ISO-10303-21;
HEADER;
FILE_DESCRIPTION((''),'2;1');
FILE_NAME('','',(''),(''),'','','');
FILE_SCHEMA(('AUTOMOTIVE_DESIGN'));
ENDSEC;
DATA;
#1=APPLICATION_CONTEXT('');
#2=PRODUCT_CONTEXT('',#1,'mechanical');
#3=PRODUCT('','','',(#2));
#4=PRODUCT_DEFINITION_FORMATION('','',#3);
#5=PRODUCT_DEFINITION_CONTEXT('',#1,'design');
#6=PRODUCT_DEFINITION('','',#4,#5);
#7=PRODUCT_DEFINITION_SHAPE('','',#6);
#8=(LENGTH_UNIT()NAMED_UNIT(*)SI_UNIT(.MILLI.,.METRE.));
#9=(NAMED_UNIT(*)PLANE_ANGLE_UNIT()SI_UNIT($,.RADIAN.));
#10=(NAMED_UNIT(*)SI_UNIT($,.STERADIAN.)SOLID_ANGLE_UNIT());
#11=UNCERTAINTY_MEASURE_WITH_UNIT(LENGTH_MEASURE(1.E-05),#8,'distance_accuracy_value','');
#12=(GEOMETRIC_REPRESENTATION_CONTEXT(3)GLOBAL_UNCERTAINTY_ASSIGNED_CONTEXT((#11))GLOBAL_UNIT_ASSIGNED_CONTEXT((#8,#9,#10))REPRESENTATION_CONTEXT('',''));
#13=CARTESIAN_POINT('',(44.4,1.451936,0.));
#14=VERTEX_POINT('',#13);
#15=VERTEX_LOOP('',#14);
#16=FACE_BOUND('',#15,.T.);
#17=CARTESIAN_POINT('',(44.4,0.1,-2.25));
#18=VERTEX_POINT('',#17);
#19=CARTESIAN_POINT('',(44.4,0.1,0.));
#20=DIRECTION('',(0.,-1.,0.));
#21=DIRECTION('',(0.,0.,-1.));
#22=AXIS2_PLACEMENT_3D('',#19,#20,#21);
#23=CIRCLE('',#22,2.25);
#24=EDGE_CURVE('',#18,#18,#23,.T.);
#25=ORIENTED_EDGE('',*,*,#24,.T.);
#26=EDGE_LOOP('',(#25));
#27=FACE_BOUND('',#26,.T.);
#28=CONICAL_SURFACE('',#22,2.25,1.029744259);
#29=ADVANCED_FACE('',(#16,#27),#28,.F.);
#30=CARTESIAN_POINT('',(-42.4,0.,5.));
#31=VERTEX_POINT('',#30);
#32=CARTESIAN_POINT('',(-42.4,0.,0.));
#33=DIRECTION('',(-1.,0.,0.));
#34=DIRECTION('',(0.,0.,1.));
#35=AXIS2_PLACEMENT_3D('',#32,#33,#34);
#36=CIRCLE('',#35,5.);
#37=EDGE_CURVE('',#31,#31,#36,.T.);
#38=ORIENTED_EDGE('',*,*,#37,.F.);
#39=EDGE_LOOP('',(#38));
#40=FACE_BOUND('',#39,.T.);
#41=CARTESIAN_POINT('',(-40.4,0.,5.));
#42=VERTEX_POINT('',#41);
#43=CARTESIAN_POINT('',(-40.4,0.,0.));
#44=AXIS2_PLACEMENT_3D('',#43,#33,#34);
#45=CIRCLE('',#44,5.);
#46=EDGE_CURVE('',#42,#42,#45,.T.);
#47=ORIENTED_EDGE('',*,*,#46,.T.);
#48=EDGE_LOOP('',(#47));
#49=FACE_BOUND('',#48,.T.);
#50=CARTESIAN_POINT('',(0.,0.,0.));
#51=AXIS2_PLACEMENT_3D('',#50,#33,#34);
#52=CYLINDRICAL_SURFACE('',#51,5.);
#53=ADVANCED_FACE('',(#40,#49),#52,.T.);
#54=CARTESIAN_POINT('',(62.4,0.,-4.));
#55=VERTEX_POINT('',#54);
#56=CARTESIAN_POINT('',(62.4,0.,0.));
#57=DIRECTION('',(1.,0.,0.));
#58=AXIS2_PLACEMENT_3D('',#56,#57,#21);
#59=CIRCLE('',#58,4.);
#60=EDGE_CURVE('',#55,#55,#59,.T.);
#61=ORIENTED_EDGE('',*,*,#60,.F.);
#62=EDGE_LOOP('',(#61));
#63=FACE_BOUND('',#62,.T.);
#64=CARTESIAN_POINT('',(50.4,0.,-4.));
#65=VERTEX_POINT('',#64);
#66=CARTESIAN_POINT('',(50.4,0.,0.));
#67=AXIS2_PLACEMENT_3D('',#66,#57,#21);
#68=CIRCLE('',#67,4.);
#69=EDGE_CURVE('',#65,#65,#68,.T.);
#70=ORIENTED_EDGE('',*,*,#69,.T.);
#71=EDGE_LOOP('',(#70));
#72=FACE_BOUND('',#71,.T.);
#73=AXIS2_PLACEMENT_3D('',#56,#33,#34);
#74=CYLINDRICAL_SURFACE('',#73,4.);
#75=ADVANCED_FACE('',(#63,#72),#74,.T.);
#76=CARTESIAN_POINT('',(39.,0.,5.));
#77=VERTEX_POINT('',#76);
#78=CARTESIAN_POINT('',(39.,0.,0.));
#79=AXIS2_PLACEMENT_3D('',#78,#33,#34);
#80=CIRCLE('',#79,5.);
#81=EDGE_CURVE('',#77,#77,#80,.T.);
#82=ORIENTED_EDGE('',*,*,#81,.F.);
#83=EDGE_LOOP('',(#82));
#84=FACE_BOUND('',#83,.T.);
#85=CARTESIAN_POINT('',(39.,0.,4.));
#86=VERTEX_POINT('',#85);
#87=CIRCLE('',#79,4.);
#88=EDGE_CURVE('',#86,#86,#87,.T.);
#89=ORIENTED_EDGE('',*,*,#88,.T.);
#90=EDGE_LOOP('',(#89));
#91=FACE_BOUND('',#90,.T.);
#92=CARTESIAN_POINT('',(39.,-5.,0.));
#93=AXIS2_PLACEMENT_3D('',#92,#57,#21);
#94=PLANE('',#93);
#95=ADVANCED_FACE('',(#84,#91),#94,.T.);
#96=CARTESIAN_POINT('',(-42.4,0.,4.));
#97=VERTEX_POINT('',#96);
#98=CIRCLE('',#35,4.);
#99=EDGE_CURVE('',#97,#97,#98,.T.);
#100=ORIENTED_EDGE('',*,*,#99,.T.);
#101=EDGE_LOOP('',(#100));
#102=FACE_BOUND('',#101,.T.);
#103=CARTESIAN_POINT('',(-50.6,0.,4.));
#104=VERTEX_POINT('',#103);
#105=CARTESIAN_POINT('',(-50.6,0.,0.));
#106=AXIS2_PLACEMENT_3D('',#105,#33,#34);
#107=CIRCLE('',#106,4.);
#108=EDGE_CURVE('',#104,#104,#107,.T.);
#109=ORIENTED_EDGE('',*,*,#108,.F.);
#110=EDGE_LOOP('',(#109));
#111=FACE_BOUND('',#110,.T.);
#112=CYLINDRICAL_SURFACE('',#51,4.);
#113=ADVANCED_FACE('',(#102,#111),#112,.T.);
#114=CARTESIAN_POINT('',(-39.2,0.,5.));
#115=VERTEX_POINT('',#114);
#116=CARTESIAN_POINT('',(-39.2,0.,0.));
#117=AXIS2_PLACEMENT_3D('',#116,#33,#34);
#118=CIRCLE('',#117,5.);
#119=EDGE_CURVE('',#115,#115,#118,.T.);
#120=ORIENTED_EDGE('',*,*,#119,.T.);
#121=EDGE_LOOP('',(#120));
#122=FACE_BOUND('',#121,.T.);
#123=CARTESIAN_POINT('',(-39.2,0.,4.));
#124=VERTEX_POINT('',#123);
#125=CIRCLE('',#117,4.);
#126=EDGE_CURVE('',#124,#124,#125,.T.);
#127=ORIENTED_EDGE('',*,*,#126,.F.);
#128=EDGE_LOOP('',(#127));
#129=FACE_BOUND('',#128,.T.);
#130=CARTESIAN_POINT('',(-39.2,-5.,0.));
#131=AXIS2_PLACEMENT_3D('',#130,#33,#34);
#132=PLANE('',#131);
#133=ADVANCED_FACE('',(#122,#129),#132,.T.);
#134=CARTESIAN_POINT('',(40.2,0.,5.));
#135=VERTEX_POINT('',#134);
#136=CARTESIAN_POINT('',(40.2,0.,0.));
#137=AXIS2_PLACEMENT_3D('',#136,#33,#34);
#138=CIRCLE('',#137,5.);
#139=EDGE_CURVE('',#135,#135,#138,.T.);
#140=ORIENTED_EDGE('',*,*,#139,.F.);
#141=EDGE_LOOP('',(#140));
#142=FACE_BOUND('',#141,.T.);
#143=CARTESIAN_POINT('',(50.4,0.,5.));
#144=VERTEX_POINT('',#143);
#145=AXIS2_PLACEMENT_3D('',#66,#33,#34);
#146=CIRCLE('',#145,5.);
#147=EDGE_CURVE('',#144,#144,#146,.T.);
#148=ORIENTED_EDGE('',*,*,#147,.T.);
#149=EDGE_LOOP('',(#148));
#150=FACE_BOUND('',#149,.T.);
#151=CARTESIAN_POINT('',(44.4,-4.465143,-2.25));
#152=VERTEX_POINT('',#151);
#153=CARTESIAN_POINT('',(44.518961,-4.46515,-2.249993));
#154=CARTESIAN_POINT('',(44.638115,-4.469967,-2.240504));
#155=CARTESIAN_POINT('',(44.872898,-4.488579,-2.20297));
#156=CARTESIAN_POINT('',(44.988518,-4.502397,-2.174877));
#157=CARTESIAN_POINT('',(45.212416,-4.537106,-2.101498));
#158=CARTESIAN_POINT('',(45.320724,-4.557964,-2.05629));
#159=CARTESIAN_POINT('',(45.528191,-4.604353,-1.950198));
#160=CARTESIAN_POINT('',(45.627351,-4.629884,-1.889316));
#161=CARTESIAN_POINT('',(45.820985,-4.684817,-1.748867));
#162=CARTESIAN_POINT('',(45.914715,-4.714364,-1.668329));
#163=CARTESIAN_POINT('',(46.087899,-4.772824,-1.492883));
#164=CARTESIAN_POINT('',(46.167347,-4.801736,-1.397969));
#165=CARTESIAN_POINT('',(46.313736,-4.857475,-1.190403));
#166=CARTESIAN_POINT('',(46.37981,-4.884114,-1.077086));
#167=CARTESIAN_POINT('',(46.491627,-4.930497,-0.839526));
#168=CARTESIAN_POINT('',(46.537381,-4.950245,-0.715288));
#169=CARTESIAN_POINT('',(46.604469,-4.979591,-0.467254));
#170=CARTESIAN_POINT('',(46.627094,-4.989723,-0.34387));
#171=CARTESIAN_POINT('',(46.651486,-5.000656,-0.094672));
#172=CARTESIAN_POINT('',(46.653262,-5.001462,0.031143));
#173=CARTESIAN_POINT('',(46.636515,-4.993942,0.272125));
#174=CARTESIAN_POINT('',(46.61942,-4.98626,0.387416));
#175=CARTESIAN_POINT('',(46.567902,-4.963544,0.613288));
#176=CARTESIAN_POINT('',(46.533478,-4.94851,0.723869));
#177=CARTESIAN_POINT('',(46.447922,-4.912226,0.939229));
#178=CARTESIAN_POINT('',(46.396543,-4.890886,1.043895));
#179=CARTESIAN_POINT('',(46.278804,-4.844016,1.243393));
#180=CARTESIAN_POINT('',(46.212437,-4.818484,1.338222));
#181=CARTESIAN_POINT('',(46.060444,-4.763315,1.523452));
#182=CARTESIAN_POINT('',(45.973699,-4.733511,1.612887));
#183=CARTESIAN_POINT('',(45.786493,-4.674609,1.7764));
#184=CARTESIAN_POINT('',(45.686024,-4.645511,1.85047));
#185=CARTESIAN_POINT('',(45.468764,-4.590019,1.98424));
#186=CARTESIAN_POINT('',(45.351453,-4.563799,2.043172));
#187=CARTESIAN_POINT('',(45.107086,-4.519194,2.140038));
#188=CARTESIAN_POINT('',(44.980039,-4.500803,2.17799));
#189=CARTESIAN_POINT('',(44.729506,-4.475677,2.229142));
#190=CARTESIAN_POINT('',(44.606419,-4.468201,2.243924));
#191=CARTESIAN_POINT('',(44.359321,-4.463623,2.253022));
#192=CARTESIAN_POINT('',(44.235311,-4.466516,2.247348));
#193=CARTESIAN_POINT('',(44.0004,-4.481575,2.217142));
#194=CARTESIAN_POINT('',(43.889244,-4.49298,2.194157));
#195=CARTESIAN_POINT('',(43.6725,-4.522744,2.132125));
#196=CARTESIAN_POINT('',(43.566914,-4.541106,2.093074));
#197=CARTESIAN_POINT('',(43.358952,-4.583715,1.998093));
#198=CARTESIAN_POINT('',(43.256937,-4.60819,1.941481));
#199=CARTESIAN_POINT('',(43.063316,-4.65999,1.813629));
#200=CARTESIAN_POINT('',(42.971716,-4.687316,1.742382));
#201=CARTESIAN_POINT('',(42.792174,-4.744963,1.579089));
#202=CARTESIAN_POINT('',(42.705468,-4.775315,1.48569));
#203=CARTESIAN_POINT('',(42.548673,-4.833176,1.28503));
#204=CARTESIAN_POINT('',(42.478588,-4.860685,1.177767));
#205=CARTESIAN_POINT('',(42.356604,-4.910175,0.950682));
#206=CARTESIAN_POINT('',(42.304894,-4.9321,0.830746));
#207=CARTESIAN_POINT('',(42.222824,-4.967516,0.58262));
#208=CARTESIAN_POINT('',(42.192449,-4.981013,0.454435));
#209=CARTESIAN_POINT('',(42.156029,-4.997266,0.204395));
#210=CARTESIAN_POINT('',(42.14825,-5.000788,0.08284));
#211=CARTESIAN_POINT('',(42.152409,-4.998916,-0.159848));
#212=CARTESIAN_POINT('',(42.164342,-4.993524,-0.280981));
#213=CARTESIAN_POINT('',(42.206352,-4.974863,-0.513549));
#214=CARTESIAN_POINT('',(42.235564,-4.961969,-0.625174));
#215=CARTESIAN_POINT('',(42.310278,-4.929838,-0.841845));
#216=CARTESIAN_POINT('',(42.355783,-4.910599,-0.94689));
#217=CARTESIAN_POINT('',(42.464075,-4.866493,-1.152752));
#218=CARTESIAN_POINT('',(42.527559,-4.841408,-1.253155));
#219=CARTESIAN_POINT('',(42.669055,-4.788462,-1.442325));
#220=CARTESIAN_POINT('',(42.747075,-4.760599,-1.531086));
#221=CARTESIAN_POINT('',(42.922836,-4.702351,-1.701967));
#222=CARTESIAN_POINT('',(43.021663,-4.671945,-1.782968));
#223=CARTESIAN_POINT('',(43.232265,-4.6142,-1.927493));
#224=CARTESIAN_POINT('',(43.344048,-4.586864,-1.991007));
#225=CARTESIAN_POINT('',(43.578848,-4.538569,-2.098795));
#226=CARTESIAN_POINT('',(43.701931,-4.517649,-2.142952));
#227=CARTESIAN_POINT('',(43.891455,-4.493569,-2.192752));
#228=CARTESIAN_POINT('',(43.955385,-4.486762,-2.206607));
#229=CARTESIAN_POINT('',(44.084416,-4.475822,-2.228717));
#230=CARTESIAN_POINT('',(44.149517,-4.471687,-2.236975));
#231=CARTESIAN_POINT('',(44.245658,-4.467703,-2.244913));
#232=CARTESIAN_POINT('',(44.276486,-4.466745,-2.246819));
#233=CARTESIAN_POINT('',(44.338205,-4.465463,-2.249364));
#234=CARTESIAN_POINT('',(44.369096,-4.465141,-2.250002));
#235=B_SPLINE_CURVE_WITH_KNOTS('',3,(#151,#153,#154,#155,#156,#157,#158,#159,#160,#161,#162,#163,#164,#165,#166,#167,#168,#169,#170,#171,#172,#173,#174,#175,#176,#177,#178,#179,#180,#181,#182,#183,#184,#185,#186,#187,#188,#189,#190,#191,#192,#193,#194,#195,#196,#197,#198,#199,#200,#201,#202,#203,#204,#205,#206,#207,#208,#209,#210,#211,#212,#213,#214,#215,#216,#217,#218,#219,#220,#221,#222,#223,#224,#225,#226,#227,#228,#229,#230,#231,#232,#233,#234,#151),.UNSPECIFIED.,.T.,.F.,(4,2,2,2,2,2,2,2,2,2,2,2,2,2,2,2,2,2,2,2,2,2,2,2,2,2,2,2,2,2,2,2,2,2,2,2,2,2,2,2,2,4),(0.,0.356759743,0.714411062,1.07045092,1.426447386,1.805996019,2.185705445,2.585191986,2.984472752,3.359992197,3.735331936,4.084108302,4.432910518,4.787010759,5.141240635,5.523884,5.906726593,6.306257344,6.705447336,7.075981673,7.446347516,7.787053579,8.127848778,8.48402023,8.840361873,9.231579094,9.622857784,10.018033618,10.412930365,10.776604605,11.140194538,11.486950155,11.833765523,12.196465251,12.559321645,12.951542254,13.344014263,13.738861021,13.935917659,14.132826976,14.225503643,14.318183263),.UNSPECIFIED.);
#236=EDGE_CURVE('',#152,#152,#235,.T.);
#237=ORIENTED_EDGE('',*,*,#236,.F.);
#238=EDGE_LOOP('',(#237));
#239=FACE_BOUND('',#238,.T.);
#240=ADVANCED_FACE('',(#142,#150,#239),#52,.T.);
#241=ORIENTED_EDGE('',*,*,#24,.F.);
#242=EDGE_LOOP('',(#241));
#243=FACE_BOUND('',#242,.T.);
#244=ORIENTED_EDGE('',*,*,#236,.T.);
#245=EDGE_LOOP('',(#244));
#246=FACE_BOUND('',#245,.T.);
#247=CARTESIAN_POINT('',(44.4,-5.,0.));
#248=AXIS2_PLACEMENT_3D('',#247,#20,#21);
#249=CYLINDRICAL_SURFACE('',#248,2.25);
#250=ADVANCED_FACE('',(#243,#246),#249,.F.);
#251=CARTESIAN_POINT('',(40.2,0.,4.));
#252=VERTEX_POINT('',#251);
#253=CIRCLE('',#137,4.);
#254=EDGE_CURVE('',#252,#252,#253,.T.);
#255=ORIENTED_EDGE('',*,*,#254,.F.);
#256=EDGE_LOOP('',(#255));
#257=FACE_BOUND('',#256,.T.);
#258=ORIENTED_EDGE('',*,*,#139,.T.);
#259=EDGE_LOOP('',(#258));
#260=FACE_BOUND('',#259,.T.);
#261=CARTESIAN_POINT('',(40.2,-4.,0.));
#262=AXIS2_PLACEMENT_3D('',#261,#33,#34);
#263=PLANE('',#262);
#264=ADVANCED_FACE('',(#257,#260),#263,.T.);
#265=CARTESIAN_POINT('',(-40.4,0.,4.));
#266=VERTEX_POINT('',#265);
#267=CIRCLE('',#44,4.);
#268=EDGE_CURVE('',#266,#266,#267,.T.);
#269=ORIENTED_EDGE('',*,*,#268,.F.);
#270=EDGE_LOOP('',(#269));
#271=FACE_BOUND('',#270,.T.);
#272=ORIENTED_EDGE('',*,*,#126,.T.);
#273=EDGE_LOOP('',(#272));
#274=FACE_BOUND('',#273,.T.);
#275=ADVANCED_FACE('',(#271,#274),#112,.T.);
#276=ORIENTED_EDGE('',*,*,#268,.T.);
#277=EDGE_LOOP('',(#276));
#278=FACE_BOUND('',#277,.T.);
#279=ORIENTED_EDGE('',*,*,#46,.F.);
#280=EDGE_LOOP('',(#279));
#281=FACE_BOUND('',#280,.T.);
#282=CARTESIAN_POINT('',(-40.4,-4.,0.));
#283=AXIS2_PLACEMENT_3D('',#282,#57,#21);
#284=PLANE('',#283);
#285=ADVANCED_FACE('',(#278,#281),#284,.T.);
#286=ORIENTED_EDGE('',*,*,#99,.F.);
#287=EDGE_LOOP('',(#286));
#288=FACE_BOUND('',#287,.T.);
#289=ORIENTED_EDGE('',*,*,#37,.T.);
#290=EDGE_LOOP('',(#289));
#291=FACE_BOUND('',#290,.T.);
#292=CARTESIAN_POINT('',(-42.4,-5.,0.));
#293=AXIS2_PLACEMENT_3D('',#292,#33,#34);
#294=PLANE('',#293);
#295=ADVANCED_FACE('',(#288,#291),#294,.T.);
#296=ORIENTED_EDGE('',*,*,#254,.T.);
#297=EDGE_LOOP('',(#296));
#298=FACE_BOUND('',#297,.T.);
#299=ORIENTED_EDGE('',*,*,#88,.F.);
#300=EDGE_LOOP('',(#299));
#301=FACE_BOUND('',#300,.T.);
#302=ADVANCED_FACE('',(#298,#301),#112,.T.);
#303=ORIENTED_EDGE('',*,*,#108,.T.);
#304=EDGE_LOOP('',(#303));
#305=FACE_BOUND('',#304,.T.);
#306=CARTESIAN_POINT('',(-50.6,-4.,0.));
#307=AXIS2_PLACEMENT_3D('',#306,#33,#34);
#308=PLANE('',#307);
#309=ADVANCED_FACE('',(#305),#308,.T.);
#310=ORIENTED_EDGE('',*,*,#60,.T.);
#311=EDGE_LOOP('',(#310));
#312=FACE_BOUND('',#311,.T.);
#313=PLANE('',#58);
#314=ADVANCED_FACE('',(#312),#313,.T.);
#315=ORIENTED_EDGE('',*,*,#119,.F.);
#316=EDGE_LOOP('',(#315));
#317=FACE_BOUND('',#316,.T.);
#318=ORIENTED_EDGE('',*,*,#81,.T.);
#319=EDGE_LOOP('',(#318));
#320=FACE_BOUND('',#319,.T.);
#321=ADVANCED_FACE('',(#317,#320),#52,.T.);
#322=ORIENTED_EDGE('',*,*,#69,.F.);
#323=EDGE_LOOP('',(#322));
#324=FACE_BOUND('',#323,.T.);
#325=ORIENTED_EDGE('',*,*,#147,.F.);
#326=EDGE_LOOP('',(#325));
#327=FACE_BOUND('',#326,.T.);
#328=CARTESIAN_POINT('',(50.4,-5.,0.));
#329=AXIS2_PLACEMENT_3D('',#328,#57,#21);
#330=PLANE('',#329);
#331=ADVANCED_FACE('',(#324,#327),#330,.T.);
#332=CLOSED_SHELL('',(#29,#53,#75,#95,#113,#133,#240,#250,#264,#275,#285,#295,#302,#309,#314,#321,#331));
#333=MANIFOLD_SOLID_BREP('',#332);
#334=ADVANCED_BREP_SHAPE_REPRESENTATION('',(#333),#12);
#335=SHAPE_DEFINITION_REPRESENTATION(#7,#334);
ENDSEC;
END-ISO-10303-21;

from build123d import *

# Parameters (mm, degrees)
M4_CLEARANCE_HOLE5_D     = 4.5
M4_CLEARANCE_HOLE5_DEPTH = 5.1
M4_CLEARANCE_HOLE5_TIP   = 1.351936393
SKETCH17_R               = 4
BOSS_EXTRUDE1_DEPTH      = 12


with BuildPart() as part:
    # Sketch1 → Revolve1 (revolve)
    with BuildSketch(Plane.XY):
        Polygon((-39.2, -5), (39, -5), (39, -4), (40.2, -4), (40.2, -5), (50.4, -5), (50.4, 0), (-50.6, 0), (-50.6, -4), (-42.4, -4), (-42.4, -5), (-40.4, -5), (-40.4, -4), (-39.2, -4), align=None)
    revolve(axis=Axis((0, 0, 0), (1, 0, 0)))

    # M4 Clearance Hole5
    with Locations(Plane(origin=(44.4, -5, 0), x_dir=(0, 0, -1), z_dir=(0, -1, 0))):
        with Locations((0, 0)):
            Hole(M4_CLEARANCE_HOLE5_D / 2, depth=M4_CLEARANCE_HOLE5_DEPTH)
            with Locations((0, 0, -(M4_CLEARANCE_HOLE5_DEPTH + M4_CLEARANCE_HOLE5_TIP / 2))):  # 118° drill point
                Cone(0, M4_CLEARANCE_HOLE5_D / 2, M4_CLEARANCE_HOLE5_TIP, mode=Mode.SUBTRACT)

    # Sketch17 → Boss-Extrude1 (add)
    with BuildSketch(Plane(origin=(50.4, 0, 0), x_dir=(0, 0, -1), z_dir=(1, 0, 0))):
        Circle(SKETCH17_R)
    extrude(amount=BOSS_EXTRUDE1_DEPTH)


solid = part.part
